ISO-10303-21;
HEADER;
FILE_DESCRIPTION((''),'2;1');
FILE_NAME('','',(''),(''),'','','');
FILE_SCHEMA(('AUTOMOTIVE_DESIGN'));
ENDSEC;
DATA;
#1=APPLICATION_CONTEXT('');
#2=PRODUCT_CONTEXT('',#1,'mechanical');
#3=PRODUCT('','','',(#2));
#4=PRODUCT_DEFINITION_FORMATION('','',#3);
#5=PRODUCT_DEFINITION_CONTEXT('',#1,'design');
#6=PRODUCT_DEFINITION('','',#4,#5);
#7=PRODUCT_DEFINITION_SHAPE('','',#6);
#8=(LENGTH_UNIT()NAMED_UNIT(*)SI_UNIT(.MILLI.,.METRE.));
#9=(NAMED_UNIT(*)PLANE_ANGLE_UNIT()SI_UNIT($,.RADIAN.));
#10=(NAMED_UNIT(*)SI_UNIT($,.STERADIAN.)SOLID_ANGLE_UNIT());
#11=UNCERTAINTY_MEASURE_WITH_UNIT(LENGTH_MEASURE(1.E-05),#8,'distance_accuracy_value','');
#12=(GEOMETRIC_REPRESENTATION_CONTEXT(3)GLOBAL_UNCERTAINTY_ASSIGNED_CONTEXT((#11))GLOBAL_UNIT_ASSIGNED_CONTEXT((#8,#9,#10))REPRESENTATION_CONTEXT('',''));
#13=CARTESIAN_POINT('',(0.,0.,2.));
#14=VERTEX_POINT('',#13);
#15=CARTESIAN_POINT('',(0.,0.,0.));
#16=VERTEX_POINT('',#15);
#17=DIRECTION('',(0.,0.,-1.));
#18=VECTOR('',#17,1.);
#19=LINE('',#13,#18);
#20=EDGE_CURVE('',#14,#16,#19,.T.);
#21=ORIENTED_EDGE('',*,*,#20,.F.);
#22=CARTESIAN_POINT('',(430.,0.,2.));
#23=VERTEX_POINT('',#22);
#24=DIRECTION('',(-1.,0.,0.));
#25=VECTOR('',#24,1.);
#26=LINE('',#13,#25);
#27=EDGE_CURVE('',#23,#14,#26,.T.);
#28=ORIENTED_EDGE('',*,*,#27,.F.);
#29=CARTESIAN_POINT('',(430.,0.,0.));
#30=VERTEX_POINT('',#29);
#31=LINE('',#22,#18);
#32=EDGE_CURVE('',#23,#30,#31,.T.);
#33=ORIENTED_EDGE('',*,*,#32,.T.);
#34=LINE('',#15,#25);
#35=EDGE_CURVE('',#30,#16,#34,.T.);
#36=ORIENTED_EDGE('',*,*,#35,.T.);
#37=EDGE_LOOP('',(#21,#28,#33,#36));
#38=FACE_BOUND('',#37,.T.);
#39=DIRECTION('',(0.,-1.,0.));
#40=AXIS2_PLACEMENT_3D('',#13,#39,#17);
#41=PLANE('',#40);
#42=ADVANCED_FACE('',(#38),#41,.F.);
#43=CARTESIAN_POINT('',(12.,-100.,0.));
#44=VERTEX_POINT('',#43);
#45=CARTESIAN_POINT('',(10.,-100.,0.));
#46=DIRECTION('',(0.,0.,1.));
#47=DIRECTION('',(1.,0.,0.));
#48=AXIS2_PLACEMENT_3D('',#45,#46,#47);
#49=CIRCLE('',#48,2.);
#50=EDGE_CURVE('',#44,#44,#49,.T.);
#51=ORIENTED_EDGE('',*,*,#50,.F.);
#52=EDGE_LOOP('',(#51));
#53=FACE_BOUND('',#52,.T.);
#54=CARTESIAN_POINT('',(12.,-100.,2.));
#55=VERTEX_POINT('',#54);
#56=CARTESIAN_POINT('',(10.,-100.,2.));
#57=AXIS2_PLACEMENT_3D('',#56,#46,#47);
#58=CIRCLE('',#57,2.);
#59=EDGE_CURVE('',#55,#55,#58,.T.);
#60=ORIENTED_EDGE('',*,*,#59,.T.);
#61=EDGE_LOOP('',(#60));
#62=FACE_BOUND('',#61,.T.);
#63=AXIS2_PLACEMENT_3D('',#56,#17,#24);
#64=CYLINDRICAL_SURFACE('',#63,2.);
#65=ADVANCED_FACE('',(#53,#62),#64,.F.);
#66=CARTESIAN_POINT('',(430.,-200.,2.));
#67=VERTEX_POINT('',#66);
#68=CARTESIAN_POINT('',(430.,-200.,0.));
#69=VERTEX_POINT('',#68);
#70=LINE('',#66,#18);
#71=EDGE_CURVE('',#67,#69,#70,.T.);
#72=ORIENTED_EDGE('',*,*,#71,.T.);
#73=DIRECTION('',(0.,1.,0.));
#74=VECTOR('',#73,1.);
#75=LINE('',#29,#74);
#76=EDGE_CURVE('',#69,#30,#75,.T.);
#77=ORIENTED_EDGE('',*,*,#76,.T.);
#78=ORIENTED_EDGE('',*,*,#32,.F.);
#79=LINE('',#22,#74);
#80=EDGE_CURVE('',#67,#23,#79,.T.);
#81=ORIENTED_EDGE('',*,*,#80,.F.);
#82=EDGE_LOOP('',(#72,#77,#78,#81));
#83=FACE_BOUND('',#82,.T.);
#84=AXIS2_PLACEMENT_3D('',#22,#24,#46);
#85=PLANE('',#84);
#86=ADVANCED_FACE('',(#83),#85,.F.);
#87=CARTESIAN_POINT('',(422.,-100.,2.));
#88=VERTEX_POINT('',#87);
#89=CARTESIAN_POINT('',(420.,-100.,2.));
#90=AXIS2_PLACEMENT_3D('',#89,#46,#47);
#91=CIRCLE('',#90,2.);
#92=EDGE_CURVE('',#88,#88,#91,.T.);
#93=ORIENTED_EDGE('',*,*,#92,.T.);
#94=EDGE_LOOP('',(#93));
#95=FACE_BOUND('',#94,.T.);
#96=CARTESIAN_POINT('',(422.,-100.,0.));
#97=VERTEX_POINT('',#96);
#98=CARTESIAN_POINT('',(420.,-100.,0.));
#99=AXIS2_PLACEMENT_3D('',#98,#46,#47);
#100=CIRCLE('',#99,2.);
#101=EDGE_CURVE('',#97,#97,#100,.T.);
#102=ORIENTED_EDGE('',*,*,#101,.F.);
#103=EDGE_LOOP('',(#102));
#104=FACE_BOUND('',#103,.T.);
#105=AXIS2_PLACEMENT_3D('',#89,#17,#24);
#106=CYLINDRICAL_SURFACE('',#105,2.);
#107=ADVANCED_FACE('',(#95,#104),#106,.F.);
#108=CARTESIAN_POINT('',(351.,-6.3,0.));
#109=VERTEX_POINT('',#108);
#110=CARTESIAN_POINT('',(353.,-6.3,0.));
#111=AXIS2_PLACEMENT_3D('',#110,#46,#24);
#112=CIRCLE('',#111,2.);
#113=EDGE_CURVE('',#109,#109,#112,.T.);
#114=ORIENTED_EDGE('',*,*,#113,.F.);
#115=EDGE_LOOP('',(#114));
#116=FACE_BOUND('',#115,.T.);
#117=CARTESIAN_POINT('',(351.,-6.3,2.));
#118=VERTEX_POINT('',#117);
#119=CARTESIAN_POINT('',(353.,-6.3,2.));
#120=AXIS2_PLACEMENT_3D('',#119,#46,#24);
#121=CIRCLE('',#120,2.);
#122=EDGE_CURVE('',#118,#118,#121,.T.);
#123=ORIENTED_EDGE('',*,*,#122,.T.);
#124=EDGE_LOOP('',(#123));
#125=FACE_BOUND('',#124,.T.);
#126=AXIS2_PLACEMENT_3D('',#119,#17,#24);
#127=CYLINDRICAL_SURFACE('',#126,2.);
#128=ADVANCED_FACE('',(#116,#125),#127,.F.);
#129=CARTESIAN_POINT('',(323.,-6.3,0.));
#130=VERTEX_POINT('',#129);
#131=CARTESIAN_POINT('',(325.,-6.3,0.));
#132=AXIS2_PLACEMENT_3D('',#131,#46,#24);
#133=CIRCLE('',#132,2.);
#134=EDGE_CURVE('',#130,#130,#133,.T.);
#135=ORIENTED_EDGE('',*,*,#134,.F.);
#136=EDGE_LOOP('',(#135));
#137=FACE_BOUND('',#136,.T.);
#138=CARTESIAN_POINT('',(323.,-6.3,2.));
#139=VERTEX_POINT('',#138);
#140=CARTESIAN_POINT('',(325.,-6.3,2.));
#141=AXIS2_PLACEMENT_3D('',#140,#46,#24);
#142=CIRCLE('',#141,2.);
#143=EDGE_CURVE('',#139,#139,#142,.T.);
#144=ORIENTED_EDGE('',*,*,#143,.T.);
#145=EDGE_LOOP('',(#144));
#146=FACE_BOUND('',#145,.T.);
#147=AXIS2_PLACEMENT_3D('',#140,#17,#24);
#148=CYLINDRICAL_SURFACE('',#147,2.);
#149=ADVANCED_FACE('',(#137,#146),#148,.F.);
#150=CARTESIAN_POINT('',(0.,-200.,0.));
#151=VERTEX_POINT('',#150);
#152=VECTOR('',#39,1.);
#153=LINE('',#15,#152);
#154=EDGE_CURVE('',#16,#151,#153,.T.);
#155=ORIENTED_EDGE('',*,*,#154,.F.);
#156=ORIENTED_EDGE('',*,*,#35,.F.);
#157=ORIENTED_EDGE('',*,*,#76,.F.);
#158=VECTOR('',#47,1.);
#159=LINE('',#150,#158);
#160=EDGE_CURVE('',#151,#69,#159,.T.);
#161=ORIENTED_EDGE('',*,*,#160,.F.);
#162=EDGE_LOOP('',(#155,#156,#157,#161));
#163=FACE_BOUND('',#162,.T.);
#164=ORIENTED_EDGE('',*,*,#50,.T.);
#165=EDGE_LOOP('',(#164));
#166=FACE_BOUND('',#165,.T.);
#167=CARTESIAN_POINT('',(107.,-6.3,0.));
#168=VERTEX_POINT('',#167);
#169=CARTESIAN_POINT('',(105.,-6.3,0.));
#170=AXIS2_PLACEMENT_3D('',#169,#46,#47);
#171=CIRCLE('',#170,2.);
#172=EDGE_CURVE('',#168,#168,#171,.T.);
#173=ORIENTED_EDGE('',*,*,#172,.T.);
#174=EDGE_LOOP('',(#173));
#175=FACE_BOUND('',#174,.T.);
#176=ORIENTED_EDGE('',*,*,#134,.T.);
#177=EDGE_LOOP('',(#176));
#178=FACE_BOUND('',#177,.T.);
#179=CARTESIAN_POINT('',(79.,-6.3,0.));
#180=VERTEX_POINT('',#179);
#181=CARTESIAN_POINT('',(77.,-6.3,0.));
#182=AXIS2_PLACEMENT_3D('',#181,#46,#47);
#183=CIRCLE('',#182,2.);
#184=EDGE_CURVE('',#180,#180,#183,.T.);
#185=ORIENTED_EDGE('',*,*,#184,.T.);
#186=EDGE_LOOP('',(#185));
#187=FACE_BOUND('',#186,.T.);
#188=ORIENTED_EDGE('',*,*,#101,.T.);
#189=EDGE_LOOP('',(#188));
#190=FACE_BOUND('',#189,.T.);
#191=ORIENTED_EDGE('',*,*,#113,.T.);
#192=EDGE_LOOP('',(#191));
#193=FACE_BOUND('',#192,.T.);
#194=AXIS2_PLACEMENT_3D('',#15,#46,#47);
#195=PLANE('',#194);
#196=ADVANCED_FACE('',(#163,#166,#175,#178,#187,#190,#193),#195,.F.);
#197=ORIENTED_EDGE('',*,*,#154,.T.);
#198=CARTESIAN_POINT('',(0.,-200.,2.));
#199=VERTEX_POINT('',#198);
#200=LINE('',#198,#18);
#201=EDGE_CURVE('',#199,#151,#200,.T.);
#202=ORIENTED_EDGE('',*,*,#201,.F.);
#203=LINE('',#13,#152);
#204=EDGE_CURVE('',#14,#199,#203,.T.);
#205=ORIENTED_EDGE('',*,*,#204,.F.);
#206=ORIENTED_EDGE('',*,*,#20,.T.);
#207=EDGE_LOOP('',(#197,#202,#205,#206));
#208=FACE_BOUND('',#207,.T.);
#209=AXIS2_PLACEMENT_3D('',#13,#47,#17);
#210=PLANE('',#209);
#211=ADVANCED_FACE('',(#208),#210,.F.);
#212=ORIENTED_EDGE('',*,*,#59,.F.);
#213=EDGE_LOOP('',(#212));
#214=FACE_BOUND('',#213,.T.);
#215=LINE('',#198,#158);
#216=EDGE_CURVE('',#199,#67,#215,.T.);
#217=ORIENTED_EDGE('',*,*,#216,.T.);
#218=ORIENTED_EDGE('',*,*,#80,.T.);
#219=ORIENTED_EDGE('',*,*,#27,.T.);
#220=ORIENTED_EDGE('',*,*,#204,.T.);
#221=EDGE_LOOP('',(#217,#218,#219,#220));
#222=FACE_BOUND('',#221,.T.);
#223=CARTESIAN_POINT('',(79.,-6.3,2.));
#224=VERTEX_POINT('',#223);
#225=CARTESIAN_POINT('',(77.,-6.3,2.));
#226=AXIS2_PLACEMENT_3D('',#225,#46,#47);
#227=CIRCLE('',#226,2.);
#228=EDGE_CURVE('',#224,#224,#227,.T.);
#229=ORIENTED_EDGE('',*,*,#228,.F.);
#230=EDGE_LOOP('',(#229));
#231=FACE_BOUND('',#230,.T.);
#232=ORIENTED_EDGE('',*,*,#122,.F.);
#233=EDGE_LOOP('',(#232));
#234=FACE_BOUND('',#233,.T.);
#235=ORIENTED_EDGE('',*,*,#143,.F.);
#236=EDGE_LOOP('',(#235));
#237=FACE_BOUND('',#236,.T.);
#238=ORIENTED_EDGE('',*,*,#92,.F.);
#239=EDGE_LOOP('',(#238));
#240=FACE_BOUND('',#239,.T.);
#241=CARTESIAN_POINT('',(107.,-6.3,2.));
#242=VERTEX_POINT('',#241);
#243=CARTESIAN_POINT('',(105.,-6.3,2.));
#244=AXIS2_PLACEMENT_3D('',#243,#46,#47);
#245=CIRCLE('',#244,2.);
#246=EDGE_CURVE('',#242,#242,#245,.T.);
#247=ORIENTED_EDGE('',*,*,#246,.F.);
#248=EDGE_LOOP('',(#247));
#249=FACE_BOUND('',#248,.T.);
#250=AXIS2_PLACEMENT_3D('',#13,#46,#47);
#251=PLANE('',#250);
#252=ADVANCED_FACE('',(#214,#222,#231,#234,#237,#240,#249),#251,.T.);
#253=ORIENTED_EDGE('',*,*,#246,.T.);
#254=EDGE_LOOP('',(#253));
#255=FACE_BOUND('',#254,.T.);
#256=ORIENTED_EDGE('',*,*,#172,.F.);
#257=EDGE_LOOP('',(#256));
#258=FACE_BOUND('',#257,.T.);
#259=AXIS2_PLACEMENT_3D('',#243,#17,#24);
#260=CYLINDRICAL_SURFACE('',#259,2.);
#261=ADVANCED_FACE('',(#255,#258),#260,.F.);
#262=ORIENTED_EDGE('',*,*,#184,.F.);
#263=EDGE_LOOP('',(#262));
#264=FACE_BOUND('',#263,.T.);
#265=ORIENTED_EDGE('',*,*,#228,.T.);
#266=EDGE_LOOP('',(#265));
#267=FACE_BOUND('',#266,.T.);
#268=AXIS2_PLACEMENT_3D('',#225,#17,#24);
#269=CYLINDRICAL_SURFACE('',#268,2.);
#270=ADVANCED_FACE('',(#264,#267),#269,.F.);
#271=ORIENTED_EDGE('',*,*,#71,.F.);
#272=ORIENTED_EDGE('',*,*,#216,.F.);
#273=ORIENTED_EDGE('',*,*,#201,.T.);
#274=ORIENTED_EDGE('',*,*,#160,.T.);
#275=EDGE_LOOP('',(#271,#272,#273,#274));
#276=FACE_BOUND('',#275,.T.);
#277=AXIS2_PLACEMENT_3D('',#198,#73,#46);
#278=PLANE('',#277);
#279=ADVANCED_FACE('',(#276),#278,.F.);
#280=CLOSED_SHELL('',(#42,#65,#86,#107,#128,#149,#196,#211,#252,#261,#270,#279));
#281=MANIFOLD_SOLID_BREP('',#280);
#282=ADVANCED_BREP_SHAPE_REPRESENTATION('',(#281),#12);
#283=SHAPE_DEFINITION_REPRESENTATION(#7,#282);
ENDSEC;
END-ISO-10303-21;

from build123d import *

# Parameters (mm, degrees)
SKETCH_1_W      = 430
SKETCH_1_H      = 200
SKETCH_1_R      = 2
EXTRUDE_1_DEPTH = 2


with BuildPart() as part:
    # 草图1 → 凸台-拉伸1 (new body)
    with BuildSketch(Plane.XY):
        with Locations((215, -100)):
            Rectangle(SKETCH_1_W, SKETCH_1_H)
        with Locations((10, -100)):
            Circle(SKETCH_1_R, mode=Mode.SUBTRACT)
        with Locations((420, -100)):
            Circle(SKETCH_1_R, mode=Mode.SUBTRACT)
        with Locations((77, -6.3)):
            Circle(SKETCH_1_R, mode=Mode.SUBTRACT)
        with Locations((105, -6.3)):
            Circle(SKETCH_1_R, mode=Mode.SUBTRACT)
        with Locations(Location((325, -6.3, 0), (0, 0, 180))):
            Circle(SKETCH_1_R, mode=Mode.SUBTRACT)
        with Locations(Location((353, -6.3, 0), (0, 0, 180))):
            Circle(SKETCH_1_R, mode=Mode.SUBTRACT)
    extrude(amount=EXTRUDE_1_DEPTH)


solid = part.part
